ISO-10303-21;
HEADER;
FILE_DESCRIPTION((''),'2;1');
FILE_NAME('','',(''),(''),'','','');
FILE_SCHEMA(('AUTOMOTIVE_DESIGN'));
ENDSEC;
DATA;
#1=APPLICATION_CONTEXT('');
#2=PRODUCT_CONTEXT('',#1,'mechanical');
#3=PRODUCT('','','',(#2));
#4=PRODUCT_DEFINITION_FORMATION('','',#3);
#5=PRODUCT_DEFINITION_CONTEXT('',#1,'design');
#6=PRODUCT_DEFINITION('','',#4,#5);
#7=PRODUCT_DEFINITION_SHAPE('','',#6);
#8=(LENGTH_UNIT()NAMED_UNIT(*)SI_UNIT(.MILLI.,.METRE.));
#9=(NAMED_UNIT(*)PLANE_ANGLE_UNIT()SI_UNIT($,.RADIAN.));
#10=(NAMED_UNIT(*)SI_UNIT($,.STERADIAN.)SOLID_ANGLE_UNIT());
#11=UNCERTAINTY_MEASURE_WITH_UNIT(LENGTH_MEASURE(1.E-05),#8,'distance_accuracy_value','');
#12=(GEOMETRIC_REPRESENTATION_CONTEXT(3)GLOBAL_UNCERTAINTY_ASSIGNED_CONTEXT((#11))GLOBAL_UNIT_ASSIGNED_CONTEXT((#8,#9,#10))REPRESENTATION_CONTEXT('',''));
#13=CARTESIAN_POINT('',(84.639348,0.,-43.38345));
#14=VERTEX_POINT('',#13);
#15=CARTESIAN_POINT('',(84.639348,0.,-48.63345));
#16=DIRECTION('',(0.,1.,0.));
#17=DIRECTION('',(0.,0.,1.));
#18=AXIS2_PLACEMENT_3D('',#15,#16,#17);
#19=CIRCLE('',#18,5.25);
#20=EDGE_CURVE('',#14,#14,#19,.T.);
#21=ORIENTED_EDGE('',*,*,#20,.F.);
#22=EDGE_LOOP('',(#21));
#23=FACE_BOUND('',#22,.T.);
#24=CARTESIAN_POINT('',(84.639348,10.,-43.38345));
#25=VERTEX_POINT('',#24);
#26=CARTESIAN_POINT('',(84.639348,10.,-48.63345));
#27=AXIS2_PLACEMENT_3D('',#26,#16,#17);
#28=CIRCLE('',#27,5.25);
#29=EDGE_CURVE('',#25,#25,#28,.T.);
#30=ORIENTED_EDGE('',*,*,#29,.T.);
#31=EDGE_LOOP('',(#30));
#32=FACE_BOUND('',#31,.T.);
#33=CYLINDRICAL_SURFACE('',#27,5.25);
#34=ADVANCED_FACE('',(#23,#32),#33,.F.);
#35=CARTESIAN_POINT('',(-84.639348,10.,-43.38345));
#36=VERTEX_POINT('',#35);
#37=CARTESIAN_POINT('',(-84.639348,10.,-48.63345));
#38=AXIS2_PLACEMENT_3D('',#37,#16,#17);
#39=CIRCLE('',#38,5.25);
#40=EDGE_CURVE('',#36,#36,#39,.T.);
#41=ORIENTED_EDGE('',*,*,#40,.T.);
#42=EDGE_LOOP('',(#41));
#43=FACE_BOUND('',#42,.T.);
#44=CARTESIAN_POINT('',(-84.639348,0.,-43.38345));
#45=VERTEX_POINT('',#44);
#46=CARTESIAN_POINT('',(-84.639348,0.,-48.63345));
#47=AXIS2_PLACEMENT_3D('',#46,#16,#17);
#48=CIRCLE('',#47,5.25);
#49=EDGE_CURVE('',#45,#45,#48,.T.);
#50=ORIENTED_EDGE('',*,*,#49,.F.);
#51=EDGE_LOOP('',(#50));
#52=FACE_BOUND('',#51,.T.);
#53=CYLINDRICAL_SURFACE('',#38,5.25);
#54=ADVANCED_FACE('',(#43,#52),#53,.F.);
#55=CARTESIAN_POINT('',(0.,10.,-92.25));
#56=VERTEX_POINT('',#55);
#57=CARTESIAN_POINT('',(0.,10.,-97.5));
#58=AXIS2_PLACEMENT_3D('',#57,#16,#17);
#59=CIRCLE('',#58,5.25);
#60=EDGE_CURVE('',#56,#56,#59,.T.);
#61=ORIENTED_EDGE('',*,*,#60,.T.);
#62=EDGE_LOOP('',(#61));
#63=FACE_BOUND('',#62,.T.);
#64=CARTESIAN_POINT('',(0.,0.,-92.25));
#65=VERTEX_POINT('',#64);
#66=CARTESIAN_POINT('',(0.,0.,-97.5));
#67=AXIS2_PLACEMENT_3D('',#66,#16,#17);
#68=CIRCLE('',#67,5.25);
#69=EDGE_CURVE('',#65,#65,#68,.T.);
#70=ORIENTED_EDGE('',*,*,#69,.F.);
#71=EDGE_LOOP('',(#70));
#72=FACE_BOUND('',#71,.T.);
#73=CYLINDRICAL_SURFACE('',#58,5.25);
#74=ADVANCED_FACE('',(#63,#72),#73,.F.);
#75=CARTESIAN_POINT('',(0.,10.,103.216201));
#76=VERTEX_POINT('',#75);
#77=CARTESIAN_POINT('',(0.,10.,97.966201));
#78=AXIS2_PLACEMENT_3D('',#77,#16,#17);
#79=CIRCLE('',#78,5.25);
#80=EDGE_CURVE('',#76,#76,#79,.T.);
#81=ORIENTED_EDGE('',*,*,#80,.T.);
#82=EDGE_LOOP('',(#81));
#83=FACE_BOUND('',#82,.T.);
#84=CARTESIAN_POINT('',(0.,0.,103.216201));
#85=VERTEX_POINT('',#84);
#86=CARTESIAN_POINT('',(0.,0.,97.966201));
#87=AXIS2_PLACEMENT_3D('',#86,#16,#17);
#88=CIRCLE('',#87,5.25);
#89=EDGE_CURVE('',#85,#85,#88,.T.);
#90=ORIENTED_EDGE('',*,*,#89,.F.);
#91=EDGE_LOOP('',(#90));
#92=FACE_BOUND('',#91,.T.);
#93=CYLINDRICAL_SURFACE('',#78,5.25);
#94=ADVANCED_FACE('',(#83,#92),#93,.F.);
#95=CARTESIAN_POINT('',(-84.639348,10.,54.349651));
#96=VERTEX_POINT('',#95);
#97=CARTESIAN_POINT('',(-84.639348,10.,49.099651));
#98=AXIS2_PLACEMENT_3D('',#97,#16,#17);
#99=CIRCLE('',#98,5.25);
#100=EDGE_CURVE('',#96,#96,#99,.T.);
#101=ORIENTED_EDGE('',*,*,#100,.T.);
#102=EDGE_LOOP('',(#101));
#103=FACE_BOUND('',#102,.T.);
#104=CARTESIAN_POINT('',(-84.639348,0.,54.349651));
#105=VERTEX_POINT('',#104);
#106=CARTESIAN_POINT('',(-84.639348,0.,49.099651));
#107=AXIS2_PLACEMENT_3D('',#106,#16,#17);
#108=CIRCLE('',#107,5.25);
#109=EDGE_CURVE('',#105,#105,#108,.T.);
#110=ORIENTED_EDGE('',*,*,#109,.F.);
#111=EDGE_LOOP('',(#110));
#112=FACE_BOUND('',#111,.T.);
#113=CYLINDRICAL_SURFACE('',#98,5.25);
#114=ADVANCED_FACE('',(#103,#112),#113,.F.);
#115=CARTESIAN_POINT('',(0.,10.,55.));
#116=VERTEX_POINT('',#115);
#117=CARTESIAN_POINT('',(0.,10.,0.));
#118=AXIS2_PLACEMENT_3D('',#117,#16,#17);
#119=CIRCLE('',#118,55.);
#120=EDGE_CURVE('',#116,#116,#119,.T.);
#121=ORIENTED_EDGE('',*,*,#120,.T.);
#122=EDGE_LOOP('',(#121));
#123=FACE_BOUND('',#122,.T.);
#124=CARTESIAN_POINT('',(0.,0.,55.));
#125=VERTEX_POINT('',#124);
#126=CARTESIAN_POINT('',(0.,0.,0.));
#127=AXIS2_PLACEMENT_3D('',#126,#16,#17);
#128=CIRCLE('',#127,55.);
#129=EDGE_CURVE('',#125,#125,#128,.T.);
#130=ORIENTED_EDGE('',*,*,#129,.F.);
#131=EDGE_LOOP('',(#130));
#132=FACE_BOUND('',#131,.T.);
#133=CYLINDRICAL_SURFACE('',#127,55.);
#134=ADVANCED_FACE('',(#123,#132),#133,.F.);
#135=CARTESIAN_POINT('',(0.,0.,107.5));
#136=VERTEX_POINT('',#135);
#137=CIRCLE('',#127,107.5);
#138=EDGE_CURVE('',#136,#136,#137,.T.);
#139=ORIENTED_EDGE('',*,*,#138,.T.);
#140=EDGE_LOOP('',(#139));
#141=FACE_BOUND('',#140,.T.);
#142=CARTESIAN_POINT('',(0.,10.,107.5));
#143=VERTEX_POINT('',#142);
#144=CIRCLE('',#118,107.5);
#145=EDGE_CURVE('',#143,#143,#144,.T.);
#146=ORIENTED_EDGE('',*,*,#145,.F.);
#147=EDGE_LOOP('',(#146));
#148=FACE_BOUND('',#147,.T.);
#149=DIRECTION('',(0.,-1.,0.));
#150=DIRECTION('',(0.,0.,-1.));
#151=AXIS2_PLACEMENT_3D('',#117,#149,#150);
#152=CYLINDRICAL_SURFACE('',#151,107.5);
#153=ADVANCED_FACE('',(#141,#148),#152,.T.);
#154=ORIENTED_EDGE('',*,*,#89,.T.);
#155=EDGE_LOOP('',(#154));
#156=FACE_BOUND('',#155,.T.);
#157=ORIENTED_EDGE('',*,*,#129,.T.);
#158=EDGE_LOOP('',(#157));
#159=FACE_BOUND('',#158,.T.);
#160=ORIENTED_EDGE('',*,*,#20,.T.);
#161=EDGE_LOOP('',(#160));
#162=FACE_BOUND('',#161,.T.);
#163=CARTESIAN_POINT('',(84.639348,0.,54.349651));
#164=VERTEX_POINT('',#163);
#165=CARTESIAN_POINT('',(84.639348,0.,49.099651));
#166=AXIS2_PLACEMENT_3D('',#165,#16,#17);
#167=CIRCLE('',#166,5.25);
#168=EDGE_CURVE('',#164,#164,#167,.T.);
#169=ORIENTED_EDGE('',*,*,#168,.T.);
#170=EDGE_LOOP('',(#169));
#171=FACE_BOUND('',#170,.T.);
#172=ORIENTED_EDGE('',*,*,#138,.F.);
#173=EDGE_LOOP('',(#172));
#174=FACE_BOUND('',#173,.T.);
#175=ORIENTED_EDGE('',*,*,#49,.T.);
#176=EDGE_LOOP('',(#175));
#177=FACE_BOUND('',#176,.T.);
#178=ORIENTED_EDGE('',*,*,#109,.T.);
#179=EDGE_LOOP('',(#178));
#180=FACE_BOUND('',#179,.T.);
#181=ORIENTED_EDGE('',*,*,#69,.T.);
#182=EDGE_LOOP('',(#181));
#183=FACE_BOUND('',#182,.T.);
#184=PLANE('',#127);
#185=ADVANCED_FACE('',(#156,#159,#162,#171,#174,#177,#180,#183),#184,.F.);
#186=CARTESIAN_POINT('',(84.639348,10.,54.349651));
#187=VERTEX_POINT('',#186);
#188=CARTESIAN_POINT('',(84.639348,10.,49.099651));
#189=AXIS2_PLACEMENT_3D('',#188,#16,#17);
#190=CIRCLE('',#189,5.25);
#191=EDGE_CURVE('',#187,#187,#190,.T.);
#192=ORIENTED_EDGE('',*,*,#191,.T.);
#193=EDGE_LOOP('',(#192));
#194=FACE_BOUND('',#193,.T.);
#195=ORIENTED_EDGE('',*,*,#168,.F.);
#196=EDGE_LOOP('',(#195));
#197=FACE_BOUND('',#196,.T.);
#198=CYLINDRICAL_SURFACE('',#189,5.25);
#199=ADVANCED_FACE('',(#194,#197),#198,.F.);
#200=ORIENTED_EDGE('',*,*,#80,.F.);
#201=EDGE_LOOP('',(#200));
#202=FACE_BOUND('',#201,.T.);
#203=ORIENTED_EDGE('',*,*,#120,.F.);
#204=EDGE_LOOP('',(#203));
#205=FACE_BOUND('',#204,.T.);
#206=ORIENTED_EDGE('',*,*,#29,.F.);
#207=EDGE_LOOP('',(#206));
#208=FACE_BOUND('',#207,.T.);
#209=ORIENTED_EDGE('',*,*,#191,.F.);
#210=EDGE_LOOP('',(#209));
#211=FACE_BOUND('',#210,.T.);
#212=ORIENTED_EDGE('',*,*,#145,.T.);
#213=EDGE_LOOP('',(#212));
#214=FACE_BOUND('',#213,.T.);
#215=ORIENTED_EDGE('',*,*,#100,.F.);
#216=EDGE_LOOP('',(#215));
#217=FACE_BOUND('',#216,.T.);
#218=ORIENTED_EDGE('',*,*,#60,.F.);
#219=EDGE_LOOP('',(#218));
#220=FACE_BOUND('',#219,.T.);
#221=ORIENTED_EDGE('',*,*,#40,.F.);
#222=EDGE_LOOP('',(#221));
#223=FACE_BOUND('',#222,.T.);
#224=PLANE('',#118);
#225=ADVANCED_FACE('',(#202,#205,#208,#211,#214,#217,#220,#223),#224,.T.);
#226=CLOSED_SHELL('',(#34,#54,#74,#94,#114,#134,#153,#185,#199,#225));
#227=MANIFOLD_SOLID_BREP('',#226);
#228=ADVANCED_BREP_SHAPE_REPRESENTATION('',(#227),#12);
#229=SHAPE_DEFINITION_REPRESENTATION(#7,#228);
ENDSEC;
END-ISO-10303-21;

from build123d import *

# Parameters (mm, degrees)
CROQUIS1_R              = 107.5
SALIENTE_EXTRUIR1_DEPTH = 10
MATRIZC1_COUNT          = 6
CROQUIS4_R              = 55
CORTAR_EXTRUIR1_DEPTH   = 10


with BuildPart() as part:
    # Croquis1 → Saliente-Extruir1 (new body)
    with BuildSketch(Plane(origin=(0, 0, 0), x_dir=(1, 0, 0), z_dir=(0, 1, 0))):
        with Locations(Location((0, 0, 0), (0, 0, 270))):
            Circle(CROQUIS1_R)
    extrude(amount=SALIENTE_EXTRUIR1_DEPTH)

    # Croquis6 → Taladro roscado M12x1.51 (revolve, cut)
    with BuildSketch(Plane(origin=(0, 10, -97.5), x_dir=(0, 0, 1), z_dir=(1, 0, 0))):
        Polygon((0, 0), (0, 34.65451825), (5.25, 31.5), (5.25, 0), align=None)
    taladro_roscado_m12x1_51 = revolve(axis=Axis((0, 16.35, -97.5), (0, -1, 0)), mode=Mode.SUBTRACT)

    # MatrizC1: Taladro roscado M12x1.51 ×6 about axis
    matrizc1_axis = Axis((0, 0, 0.233100581), (0, 1, 0))
    for i in range(1, MATRIZC1_COUNT):
        add(taladro_roscado_m12x1_51.rotate(matrizc1_axis, i * 360 / MATRIZC1_COUNT), mode=Mode.SUBTRACT)

    # Croquis4 → Cortar-Extruir1 (cut)
    with BuildSketch(Plane(origin=(0, 10, 0), x_dir=(1, 0, 0), z_dir=(0, 1, 0))):
        with Locations(Location((0, 0, 0), (0, 0, 270))):
            Circle(CROQUIS4_R)
    extrude(amount=-CORTAR_EXTRUIR1_DEPTH, mode=Mode.SUBTRACT)


solid = part.part
